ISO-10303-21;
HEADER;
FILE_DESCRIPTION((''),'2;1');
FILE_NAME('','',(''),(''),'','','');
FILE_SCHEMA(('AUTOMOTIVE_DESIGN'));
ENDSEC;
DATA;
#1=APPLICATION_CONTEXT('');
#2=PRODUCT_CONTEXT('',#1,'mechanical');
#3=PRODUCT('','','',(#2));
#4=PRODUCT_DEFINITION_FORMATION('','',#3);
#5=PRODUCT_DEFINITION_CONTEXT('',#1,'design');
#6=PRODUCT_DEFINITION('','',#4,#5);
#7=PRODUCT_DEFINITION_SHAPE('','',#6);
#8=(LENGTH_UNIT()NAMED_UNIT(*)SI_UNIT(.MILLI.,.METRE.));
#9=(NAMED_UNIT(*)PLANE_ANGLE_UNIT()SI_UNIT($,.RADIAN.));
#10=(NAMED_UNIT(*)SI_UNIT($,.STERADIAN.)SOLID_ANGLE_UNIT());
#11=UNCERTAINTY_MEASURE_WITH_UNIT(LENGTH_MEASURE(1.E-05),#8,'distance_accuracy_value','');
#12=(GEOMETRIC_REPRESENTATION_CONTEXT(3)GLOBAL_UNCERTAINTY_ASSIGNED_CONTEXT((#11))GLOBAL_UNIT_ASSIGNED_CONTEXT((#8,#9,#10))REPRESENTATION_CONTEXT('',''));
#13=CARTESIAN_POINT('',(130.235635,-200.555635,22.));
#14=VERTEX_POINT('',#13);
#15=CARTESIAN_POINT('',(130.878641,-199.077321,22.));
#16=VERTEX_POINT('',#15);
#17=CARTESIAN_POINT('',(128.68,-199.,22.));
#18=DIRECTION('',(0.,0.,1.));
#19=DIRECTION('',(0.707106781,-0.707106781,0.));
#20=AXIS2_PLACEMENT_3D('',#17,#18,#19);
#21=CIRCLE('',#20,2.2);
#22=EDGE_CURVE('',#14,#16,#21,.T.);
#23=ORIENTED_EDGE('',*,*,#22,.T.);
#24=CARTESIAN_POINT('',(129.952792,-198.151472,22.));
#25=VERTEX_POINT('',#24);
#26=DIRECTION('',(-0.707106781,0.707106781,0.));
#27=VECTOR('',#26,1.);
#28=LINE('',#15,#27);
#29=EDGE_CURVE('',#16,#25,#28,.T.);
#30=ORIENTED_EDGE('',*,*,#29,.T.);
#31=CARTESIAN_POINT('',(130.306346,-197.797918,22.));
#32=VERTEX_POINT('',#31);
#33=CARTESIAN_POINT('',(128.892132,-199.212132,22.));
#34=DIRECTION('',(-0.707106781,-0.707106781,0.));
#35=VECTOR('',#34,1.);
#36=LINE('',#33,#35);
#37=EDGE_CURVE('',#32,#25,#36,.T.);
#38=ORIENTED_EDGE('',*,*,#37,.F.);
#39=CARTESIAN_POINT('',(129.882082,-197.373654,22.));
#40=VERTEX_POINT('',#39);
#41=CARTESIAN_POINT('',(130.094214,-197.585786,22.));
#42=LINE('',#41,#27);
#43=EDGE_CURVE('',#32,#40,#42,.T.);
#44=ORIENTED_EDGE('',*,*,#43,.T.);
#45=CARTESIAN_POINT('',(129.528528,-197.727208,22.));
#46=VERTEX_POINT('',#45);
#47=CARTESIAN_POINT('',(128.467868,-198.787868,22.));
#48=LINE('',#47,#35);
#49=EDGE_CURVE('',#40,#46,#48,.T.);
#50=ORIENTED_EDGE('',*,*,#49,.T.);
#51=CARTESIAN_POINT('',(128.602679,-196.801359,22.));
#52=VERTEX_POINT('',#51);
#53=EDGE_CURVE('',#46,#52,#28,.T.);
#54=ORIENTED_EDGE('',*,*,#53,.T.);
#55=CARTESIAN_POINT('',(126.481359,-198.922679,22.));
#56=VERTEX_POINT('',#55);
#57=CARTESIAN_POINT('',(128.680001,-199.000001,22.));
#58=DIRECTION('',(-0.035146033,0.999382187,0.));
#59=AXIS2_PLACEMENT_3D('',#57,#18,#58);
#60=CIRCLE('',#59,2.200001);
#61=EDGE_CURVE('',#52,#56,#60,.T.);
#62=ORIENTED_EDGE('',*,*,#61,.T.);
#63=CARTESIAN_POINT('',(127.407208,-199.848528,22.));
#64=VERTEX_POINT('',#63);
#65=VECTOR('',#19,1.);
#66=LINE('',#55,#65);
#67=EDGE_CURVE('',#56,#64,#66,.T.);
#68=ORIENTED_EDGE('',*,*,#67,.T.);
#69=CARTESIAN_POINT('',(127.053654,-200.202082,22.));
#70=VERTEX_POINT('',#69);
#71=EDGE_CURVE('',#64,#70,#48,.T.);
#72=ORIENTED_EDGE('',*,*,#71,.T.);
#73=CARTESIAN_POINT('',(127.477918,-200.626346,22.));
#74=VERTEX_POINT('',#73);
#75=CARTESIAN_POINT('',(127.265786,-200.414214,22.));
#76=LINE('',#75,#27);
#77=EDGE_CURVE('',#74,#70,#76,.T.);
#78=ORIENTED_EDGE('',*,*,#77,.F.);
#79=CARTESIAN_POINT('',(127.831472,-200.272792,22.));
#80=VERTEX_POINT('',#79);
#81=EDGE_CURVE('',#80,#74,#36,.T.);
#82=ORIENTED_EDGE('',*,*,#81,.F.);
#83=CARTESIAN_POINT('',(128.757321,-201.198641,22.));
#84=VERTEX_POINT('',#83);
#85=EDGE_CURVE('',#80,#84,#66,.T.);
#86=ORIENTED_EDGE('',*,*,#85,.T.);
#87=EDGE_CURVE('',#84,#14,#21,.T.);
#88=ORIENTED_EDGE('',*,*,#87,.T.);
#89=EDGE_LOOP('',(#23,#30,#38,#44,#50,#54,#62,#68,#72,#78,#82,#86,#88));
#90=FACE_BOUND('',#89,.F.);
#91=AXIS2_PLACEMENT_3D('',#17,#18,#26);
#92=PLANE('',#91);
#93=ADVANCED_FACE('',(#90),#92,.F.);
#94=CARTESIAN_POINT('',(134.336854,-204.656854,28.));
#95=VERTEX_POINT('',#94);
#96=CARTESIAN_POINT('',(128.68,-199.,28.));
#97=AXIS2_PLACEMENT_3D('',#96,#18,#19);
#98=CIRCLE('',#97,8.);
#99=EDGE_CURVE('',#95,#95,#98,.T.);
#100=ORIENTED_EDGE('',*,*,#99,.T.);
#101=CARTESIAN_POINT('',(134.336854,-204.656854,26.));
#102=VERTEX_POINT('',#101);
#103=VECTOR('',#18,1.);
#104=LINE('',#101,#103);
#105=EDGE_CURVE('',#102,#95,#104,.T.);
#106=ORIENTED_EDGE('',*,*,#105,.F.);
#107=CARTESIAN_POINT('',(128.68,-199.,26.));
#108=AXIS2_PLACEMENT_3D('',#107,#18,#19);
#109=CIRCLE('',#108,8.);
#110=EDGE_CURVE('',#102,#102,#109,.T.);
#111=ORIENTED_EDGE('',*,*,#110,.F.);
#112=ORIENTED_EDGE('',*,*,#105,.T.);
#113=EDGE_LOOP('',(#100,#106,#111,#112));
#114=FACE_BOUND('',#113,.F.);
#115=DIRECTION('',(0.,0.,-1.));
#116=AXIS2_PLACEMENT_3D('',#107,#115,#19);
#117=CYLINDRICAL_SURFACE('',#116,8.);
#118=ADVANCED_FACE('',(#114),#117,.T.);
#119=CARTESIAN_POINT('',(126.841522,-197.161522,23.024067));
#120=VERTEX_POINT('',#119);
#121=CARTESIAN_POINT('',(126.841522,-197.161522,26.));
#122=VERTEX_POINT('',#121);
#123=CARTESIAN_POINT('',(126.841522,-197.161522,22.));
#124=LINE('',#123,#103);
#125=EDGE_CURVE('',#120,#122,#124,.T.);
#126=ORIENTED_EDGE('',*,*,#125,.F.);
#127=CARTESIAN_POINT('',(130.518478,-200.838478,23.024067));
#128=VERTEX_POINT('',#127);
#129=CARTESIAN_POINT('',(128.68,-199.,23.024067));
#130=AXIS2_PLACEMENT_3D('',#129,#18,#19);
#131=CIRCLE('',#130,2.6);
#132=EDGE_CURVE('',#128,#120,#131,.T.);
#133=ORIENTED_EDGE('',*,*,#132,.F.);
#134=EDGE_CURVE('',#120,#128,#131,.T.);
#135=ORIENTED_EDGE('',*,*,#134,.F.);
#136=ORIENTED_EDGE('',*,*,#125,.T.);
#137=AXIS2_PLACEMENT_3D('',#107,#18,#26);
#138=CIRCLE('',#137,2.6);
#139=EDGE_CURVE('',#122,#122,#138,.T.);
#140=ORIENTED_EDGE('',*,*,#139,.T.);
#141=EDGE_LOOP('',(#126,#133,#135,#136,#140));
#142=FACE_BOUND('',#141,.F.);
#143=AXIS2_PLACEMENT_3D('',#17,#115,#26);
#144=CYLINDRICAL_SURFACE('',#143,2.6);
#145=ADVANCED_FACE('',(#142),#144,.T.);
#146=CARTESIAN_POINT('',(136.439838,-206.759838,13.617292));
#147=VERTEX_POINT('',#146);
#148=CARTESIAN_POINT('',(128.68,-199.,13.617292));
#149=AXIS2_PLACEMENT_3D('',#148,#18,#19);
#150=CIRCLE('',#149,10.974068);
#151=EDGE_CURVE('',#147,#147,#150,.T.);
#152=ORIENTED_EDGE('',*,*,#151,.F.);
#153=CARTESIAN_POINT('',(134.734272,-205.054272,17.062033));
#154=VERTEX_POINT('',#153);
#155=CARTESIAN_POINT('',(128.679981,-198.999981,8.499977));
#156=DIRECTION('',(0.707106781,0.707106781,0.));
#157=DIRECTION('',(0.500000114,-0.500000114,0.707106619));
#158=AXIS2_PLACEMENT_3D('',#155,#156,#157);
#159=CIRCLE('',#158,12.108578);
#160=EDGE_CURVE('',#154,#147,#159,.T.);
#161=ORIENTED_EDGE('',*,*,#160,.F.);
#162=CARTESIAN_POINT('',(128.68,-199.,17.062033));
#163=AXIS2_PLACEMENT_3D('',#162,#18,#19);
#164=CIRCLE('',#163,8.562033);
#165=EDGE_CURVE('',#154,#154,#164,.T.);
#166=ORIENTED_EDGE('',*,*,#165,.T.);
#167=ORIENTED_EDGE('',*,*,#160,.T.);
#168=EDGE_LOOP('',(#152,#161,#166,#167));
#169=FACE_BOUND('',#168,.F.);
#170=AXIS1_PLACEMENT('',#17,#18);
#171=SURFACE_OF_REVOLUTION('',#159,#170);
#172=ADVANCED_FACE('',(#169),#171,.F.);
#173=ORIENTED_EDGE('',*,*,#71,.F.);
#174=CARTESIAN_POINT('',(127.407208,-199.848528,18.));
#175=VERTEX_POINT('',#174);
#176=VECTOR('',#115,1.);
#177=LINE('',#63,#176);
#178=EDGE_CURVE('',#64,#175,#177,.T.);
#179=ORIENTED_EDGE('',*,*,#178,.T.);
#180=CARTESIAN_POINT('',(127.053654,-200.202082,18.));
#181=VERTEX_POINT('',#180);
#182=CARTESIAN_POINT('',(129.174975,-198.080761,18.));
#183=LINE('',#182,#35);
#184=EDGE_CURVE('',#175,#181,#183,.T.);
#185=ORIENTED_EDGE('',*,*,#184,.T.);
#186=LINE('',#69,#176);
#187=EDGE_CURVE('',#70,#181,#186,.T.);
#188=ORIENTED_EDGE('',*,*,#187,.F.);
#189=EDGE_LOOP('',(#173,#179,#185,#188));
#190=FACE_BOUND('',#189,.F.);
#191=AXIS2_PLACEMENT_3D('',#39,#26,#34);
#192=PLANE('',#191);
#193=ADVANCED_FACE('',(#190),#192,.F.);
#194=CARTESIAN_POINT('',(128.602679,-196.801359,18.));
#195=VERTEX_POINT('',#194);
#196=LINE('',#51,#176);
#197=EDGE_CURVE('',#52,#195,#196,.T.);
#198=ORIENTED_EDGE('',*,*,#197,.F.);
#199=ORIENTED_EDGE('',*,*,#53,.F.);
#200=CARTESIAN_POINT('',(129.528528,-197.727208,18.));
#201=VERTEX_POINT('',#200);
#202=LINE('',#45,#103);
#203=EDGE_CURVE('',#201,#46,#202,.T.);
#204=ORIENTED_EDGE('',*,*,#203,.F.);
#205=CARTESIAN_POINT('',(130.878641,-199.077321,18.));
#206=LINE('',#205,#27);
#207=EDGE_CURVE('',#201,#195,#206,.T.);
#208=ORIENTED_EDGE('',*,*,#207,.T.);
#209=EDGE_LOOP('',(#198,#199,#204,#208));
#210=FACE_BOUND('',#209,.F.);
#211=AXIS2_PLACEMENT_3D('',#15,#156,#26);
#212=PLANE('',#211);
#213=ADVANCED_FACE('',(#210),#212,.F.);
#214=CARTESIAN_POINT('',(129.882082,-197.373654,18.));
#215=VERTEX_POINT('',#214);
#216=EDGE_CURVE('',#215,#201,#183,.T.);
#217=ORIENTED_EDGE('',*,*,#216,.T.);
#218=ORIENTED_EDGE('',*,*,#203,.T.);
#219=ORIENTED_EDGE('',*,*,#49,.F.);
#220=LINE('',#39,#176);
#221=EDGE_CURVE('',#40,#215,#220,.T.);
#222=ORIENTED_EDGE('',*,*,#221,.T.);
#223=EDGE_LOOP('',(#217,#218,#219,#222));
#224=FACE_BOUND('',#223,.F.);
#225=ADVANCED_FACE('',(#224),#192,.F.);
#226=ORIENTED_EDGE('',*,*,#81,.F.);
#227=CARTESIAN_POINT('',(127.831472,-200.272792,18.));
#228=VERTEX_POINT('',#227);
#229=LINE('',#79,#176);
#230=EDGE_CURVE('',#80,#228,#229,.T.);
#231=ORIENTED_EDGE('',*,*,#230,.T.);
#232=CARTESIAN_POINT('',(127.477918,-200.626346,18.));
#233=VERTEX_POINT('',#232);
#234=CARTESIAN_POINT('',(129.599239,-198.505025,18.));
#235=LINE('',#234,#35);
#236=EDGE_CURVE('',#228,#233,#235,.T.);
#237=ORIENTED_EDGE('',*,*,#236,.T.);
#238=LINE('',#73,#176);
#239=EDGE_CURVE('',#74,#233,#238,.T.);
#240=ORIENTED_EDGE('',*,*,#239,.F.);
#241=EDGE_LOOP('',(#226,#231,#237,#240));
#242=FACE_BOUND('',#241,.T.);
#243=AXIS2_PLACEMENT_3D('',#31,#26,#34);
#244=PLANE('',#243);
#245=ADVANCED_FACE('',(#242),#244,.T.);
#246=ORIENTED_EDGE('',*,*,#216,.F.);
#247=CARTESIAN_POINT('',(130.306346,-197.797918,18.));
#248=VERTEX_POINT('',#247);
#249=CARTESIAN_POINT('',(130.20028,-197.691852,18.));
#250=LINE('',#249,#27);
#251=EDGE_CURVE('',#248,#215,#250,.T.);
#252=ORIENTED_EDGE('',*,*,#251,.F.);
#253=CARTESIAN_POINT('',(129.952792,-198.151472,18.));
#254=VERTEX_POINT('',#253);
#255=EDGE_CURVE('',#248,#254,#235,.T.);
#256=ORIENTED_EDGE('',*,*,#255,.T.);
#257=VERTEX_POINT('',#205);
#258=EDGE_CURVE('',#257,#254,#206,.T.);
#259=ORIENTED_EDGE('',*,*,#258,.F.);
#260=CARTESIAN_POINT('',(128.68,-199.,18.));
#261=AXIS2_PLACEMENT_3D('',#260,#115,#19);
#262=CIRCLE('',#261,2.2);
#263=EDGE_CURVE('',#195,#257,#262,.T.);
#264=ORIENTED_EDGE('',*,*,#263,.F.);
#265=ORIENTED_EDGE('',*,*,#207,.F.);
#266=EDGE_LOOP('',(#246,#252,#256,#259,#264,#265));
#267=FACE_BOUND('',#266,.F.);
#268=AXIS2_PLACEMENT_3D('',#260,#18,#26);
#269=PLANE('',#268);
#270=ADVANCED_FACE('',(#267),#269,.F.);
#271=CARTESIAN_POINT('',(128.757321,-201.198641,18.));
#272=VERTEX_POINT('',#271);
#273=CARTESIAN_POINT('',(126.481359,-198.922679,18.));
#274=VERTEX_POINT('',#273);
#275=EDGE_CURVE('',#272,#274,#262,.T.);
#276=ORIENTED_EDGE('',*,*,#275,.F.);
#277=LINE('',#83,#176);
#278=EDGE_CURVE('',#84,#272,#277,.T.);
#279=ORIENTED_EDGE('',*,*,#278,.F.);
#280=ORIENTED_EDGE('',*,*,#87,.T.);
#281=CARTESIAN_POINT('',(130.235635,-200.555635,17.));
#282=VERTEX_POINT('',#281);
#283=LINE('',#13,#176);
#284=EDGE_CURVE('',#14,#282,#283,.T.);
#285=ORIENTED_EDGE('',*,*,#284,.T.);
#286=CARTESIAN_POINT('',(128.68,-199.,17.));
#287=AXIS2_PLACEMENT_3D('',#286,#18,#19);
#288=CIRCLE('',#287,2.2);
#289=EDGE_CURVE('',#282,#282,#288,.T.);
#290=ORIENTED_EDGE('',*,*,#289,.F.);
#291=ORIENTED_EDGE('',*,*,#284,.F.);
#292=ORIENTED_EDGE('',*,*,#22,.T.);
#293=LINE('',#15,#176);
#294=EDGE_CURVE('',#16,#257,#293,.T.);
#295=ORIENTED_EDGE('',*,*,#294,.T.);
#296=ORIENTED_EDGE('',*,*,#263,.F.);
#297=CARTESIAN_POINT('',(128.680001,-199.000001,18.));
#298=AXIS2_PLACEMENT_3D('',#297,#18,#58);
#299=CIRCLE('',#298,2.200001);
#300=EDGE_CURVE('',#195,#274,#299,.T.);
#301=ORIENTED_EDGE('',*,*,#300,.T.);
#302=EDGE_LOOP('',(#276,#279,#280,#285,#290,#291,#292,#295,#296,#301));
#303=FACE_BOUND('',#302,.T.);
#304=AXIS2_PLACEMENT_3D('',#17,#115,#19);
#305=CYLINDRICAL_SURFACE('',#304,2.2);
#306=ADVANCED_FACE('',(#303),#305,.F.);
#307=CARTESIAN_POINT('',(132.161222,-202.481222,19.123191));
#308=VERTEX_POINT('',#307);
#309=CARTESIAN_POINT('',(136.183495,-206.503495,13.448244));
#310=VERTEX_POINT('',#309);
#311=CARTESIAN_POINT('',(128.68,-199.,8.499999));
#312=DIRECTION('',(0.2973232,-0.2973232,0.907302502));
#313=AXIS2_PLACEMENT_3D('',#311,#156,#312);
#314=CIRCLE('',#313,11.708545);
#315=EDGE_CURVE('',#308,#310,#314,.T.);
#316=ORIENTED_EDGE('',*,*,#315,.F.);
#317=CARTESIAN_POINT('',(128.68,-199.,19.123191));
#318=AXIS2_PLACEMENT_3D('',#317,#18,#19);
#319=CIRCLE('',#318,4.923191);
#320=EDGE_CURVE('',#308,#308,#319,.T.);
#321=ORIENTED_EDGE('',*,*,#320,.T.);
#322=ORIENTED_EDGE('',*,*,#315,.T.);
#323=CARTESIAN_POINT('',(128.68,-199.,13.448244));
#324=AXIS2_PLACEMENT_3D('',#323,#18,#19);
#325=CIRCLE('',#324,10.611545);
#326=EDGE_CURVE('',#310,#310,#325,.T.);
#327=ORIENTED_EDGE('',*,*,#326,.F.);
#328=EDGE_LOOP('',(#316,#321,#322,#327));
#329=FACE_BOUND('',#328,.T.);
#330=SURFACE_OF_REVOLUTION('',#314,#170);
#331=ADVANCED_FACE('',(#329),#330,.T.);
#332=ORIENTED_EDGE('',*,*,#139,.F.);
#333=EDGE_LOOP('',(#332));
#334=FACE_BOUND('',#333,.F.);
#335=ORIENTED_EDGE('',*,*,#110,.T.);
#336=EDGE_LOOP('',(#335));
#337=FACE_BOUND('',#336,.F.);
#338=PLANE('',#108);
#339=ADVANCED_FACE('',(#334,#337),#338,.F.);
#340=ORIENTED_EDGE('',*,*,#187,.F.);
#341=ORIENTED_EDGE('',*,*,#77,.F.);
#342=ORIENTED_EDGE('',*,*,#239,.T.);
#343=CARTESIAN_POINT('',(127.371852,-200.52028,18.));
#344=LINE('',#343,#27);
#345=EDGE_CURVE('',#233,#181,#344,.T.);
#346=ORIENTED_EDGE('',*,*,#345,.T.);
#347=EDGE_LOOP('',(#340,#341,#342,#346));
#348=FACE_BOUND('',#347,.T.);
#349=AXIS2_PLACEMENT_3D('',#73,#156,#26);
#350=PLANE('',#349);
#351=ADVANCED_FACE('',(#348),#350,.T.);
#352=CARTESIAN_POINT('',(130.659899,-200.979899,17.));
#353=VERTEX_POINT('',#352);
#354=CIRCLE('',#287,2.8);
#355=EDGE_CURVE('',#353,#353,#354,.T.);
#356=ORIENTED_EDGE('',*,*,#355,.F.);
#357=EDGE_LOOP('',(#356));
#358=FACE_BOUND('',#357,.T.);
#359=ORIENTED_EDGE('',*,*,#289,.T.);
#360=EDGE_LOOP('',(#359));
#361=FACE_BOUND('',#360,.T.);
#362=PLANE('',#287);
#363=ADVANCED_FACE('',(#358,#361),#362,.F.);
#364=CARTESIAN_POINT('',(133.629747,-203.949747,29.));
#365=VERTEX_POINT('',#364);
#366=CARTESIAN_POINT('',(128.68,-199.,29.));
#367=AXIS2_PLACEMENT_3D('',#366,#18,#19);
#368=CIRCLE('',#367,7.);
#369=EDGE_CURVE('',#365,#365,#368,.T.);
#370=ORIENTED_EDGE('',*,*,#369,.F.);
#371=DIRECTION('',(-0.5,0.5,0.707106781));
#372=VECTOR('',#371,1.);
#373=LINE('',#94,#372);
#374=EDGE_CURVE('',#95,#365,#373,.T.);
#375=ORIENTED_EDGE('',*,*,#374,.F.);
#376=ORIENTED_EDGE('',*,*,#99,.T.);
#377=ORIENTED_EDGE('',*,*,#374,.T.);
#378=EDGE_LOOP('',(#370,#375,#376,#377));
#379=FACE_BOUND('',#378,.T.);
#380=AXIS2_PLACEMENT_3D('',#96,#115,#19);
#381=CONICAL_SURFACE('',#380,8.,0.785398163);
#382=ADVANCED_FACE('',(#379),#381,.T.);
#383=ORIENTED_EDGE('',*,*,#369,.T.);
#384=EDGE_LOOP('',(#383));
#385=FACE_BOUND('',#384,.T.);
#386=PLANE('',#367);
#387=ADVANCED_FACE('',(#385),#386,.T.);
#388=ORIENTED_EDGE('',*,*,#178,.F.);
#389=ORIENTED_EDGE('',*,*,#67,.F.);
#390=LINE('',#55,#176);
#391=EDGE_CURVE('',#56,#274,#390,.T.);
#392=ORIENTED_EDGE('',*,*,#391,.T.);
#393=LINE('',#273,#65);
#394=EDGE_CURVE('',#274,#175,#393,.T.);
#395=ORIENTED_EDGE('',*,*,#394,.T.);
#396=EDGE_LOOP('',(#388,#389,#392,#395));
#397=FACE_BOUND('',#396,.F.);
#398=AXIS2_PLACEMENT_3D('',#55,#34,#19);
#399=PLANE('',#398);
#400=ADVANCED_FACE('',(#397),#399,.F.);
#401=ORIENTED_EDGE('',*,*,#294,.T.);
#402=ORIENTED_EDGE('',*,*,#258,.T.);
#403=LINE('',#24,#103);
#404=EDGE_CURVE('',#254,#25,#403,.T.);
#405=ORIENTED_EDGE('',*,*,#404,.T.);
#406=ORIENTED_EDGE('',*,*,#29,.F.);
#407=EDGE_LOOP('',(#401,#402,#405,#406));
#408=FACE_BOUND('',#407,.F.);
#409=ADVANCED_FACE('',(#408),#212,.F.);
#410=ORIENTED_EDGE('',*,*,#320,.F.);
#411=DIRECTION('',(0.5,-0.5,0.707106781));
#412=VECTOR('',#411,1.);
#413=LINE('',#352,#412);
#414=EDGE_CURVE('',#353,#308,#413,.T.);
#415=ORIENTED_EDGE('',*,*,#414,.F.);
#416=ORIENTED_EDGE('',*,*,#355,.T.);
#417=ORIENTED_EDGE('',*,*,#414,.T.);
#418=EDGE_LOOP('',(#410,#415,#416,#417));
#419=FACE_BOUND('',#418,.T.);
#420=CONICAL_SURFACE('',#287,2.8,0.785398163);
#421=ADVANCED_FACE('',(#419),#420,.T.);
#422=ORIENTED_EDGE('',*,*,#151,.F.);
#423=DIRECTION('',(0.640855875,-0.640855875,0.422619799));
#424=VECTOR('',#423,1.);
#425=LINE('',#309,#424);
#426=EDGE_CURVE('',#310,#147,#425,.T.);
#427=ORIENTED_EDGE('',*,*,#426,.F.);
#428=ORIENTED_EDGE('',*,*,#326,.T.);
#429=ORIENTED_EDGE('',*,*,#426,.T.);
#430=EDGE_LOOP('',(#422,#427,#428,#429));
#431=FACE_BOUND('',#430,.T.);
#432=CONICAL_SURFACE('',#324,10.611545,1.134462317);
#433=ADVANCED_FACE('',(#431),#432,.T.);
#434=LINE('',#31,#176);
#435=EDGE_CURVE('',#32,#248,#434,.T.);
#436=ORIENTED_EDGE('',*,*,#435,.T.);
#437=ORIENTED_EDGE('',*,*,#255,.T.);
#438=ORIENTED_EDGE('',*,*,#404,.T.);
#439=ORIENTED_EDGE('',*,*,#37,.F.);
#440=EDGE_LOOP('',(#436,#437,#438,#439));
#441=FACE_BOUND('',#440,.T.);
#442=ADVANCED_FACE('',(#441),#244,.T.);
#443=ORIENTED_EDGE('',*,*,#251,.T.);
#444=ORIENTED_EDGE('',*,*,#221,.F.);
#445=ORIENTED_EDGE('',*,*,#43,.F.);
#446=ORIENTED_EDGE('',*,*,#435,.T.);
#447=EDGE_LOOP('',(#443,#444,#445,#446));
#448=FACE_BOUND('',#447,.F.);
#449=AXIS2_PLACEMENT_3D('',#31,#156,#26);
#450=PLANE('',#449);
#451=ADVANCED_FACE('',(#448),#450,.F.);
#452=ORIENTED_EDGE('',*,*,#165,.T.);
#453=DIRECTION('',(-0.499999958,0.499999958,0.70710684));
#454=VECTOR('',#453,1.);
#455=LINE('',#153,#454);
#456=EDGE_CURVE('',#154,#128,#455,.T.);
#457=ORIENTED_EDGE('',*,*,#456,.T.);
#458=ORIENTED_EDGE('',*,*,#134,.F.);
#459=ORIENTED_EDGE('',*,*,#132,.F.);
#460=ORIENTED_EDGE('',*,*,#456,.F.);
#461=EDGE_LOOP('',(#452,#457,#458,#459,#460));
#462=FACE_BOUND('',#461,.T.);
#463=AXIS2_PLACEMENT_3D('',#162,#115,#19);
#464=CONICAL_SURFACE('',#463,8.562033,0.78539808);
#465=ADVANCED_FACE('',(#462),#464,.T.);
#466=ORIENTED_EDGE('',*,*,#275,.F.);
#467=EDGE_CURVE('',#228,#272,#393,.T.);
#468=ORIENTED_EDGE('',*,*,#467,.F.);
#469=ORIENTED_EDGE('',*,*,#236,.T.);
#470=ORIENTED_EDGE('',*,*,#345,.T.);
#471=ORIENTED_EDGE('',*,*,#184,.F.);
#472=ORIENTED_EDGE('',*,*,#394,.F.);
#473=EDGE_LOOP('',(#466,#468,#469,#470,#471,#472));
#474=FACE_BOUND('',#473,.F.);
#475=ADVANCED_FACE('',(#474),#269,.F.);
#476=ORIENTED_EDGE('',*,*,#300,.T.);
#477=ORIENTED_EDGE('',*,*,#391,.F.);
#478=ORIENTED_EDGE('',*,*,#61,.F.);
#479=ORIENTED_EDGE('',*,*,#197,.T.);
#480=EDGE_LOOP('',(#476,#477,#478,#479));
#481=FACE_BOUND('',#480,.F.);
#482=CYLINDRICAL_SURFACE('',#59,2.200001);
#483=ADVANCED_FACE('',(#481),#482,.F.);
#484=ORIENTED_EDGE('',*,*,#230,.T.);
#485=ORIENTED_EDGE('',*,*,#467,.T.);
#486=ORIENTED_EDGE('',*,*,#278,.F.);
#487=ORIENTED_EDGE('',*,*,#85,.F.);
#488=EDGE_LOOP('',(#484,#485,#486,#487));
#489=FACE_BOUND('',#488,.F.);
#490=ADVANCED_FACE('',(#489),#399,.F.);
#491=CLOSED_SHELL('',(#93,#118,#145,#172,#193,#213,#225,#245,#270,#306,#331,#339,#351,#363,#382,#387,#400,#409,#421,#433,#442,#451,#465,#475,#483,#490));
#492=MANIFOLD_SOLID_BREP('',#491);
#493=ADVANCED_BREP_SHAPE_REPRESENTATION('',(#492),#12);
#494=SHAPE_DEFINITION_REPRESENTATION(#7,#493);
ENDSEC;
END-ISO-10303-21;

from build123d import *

# Parameters (mm, degrees)
SKETCH033_R             = 3
PAD015_DEPTH            = 4
SKETCH035_W             = 0.6
SKETCH035_H             = 4
POCKET014_DEPTH         = 8.552756
SKETCH008_R             = 2.6
PAD016_DEPTH            = 4
SKETCH034_R             = 8
PAD017_DEPTH            = 3
CHAMFER010_SIZE         = 1
BODY005_PLACEMENT_ANGLE = 135


with BuildPart() as part:
    # Sketch032 → Revolution (revolve)
    with BuildSketch(Plane.XZ):
        with BuildLine():
            Line((-2.2, 0), (-2.2, -2))
            Line((-2.2, -2), (-2.2, -5))
            Line((-2.2, -5), (-2.8, -5))
            Line((-2.8, -5), (-4.923191, -2.876809))
            ThreePointArc((-4.923191, -2.876809), (-8.269417, -5.211047), (-10.611545, -8.551756))
            Line((-10.611545, -8.551756), (-10.974068, -8.382708))
            ThreePointArc((-8.562033, -4.937967), (-9.918738, -6.554825), (-10.974068, -8.382708))
            Line((-8.562033, -4.937967), (-2.6, 1.024067))
            Line((-2.6, 1.024067), (-2.6, 0))
            Line((-2.6, 0), (-2.2, 0))
        make_face()
    revolve(axis=Axis((0, 0, 0), (0, 0, 1)))

    # Sketch033 → Pad015 (new body)
    with BuildSketch(Plane.XY):
        Circle(SKETCH033_R)
        with BuildLine():
            Line((1.609348, 1.5), (-1.609348, 1.5))
            ThreePointArc((-1.609348, 1.5), (-2.2, 0), (-1.609348, -1.5))
            Line((-1.609348, -1.5), (1.609348, -1.5))
            ThreePointArc((1.609348, -1.5), (2.2, 0), (1.609348, 1.5))
        make_face(mode=Mode.SUBTRACT)
    extrude(amount=-PAD015_DEPTH)

    # Sketch035 → Pocket014 (cut, through all)
    with BuildSketch(Plane.XY):
        Rectangle(SKETCH035_W, SKETCH035_H)
    extrude(amount=-POCKET014_DEPTH, mode=Mode.SUBTRACT)

    # Sketch008 → Pad016 (join)
    with BuildSketch(Plane.XY):
        Circle(SKETCH008_R)
    extrude(amount=PAD016_DEPTH)

    # Sketch034 (on Face4 of Pad016) → Pad017 (join)
    with BuildSketch(Plane(origin=(0, 0, 4), x_dir=(-1, 0, 0), z_dir=(0, 0, 1))):
        Circle(SKETCH034_R)
    extrude(amount=PAD017_DEPTH)

    # Chamfer010
    chamfer010_edges = [part.edges().sort_by_distance(p)[0] for p in [
        (8, 0, 7),
    ]]
    chamfer(chamfer010_edges, length=CHAMFER010_SIZE)


with BuildPart() as part_1:
    # Body005 placement: moved
    add(part.part.moved(Location((128.68, -199, 22))).rotate(Axis((128.68, -199, 22), (0, 0, 1)), BODY005_PLACEMENT_ANGLE))


solid = part_1.part
